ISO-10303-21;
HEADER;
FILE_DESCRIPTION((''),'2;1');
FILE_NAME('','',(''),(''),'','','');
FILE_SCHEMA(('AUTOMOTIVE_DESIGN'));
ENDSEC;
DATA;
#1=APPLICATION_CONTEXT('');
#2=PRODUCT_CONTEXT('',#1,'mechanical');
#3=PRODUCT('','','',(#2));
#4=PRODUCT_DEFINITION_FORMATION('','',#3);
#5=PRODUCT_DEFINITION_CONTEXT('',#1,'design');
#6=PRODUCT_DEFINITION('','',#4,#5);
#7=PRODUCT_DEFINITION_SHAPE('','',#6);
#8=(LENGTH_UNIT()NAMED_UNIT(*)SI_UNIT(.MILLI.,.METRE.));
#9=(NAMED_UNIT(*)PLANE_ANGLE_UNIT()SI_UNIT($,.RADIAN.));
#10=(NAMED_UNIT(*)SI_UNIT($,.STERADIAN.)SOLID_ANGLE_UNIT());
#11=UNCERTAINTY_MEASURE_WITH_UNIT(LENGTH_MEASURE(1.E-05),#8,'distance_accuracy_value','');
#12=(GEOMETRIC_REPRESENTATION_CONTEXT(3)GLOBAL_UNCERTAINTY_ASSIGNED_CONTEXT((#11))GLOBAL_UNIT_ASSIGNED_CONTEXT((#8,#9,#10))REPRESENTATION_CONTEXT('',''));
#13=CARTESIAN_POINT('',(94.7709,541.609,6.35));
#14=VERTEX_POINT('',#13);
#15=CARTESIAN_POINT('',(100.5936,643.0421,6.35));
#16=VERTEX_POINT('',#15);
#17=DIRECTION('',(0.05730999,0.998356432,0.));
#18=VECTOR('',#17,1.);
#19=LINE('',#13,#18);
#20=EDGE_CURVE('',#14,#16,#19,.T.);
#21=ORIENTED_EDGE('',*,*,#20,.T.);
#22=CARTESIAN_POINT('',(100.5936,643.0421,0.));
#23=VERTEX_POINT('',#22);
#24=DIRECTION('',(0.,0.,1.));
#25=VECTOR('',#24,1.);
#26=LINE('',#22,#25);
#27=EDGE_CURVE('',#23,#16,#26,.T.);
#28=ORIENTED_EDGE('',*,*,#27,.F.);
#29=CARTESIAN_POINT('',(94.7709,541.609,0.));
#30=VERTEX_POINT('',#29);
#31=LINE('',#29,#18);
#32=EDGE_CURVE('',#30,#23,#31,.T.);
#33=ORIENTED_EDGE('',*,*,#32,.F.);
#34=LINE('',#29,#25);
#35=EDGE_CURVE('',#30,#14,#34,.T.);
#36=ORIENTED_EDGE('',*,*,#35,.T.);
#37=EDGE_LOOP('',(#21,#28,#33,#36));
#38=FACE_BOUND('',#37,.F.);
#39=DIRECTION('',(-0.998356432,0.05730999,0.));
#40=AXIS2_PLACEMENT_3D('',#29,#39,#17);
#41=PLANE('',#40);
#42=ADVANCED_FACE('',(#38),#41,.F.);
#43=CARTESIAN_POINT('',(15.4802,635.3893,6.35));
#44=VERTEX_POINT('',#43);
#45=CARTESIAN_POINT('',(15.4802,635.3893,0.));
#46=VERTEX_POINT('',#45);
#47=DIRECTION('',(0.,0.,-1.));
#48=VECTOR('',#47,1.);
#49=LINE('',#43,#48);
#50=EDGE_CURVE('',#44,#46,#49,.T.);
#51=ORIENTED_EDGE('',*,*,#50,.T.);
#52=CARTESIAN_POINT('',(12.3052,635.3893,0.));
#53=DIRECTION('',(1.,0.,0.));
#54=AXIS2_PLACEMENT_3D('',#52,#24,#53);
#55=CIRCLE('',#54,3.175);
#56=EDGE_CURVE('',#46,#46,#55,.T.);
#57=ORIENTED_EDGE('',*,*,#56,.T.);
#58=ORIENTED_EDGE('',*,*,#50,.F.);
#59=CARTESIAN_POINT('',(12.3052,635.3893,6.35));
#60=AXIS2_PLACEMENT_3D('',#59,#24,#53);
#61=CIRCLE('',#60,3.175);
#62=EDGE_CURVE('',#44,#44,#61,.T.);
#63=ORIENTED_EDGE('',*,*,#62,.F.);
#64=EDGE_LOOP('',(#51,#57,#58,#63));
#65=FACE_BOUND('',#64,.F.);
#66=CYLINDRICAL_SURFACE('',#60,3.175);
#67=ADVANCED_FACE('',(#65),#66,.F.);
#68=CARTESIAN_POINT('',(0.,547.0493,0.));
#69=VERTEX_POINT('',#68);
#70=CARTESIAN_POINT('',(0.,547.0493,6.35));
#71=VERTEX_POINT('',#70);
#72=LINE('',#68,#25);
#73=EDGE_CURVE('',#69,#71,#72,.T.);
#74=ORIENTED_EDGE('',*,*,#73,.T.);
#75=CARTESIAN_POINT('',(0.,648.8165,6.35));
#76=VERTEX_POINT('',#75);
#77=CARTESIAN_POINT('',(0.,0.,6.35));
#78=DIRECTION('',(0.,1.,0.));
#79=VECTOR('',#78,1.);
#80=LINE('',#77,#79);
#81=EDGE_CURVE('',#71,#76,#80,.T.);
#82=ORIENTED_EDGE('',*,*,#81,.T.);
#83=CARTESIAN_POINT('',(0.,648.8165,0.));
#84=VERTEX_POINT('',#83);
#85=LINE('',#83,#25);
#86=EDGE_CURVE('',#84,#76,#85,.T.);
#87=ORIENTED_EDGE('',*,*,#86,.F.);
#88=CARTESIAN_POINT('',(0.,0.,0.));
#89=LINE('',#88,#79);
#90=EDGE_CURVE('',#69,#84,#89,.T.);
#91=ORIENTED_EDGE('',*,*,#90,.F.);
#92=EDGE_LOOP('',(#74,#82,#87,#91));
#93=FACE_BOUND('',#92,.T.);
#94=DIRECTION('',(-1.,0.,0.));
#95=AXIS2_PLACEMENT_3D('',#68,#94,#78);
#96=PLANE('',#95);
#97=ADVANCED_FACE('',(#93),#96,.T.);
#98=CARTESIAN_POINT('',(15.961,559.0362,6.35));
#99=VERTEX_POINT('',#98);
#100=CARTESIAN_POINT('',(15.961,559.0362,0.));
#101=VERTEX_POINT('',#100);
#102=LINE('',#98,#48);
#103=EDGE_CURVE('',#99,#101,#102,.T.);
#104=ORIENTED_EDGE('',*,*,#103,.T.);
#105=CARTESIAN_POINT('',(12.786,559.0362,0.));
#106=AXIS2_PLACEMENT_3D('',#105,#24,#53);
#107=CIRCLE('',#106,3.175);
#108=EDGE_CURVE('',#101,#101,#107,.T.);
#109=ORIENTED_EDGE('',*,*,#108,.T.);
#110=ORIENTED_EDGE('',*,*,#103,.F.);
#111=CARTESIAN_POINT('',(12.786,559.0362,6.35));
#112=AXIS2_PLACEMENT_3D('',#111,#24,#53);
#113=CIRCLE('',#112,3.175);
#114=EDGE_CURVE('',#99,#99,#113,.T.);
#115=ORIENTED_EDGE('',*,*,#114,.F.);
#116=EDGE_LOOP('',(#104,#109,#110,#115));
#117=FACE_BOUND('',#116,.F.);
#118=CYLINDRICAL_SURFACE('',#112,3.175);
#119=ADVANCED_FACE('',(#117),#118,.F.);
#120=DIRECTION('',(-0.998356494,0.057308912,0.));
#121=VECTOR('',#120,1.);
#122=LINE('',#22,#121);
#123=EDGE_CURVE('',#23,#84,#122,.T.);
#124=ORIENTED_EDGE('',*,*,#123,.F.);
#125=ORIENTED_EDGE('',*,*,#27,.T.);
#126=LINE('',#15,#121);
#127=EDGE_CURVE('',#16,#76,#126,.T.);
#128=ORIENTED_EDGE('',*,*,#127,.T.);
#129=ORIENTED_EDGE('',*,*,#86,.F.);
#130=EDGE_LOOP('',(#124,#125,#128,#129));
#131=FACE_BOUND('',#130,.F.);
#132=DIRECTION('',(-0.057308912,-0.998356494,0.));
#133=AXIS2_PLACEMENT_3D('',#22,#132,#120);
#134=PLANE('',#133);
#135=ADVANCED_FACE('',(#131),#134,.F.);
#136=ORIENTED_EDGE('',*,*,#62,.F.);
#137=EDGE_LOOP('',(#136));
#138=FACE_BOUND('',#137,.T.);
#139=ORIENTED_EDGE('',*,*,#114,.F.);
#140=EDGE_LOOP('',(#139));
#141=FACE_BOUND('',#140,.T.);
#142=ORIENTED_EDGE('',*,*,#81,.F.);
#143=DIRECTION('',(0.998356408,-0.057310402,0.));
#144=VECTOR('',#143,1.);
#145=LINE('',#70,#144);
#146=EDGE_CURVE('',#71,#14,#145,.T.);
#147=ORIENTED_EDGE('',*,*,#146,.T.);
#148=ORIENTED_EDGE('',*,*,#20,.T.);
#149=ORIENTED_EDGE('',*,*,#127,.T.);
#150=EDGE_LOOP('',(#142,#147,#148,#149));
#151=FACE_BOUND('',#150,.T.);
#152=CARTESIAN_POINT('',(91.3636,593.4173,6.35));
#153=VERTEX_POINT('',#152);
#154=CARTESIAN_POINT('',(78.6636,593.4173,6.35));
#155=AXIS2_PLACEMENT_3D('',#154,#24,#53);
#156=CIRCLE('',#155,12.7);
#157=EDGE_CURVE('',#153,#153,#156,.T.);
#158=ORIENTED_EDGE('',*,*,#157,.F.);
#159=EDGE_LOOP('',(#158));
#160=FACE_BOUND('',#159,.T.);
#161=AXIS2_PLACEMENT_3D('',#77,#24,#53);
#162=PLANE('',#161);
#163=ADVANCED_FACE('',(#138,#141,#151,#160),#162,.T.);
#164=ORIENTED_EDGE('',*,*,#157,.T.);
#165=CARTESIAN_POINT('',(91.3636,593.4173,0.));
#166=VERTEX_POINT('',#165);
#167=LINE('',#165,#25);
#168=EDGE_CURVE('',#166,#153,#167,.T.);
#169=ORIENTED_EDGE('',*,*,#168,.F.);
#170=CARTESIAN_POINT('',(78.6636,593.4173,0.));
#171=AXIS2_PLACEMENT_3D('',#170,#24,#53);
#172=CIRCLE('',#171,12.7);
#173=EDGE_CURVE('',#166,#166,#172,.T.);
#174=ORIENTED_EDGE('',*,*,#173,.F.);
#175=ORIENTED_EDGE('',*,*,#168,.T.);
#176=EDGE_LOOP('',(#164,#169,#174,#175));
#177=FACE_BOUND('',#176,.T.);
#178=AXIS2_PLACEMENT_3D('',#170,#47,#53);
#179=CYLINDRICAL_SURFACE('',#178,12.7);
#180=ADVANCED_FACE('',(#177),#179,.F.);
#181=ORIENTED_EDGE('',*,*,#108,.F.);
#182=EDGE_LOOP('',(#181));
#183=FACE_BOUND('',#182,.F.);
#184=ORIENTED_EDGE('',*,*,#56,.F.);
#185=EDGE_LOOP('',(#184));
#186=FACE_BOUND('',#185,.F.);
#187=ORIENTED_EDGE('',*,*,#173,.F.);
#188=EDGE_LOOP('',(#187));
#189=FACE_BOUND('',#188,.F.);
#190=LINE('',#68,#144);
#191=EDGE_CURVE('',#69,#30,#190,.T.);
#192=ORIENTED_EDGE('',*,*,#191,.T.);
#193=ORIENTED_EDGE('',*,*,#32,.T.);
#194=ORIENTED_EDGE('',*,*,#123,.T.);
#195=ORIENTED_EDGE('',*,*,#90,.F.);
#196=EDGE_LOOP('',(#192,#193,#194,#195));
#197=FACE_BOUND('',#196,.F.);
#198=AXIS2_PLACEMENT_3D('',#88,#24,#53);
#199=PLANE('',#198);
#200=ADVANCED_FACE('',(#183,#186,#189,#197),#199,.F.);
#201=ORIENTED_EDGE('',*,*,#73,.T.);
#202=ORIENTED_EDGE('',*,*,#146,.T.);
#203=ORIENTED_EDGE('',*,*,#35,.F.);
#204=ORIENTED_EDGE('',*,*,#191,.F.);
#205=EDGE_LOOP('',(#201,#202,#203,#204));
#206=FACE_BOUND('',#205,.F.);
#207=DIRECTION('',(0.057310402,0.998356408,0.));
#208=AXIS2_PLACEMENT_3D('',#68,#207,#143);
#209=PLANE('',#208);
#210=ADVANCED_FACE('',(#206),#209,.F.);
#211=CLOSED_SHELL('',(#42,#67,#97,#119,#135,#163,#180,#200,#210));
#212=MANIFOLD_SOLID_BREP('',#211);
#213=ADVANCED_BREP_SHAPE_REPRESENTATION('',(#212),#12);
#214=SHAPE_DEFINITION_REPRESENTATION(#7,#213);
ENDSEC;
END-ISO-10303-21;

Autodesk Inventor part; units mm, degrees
ref_plane "YZ Plane" through (0, 0, 0) normal (1, 0, 0) x (0, 1, 0)
ref_plane "XZ Plane" through (0, 0, 0) normal (0, 1, 0) x (-1, 0, 0)
ref_plane "XY Plane" through (0, 0, 0) normal (0, 0, 1) x (1, 0, 0)
sketch "Sketch1" plane through (0, 0, 0) normal (0, 0, 1) x (1, 0, 0)
  circle A0 centre (78.6636, 593.4173) radius 12.7
  line L0 (0, 0) -> (0, 736.6) projected
  line L1 (0, 547.0493) -> (94.7709, 541.609)
  line L2 (94.7709, 541.609) -> (100.5936, 643.0421)
  line L3 (100.5936, 643.0421) -> (0, 648.8165)
  line L4 (0, 547.0493) -> (0, 648.8165)
  dimension "d0" = 50.8
  dimension "d1" = 50.8
  dimension "d12" = 90
  dimension "d13" = 86.715
  dimension "d14" = 93.285
  dimension "d15" = 90
  dimension "d16" = 94.927
  dimension "d18" = 19.05
  dimension "d19" = 100.7592
extrude "Extrusion1" add sketch "Sketch1" along normal blind 6.35
sketch "Sketch2" plane through (0, 0, 6.35) normal (0, 0, 1) x (1, 0, 0)
  circle A0 centre (12.3052, 635.3893) radius 3.175
  circle A1 centre (12.786, 559.0362) radius 3.175
  line L0 (0, 547.0493) -> (94.7709, 541.609) projected
  line L1 (100.5936, 643.0421) -> (0, 648.8165) projected
  point P0 (0, 0)
  dimension "d4" = 6.35
  dimension "d5" = 6.35
  dimension "d6" = 12.7
  dimension "d7" = 12.7
extrude "Extrusion2" cut sketch "Sketch2" against normal through all
properties part number "2018 Intake scissor Plate"
